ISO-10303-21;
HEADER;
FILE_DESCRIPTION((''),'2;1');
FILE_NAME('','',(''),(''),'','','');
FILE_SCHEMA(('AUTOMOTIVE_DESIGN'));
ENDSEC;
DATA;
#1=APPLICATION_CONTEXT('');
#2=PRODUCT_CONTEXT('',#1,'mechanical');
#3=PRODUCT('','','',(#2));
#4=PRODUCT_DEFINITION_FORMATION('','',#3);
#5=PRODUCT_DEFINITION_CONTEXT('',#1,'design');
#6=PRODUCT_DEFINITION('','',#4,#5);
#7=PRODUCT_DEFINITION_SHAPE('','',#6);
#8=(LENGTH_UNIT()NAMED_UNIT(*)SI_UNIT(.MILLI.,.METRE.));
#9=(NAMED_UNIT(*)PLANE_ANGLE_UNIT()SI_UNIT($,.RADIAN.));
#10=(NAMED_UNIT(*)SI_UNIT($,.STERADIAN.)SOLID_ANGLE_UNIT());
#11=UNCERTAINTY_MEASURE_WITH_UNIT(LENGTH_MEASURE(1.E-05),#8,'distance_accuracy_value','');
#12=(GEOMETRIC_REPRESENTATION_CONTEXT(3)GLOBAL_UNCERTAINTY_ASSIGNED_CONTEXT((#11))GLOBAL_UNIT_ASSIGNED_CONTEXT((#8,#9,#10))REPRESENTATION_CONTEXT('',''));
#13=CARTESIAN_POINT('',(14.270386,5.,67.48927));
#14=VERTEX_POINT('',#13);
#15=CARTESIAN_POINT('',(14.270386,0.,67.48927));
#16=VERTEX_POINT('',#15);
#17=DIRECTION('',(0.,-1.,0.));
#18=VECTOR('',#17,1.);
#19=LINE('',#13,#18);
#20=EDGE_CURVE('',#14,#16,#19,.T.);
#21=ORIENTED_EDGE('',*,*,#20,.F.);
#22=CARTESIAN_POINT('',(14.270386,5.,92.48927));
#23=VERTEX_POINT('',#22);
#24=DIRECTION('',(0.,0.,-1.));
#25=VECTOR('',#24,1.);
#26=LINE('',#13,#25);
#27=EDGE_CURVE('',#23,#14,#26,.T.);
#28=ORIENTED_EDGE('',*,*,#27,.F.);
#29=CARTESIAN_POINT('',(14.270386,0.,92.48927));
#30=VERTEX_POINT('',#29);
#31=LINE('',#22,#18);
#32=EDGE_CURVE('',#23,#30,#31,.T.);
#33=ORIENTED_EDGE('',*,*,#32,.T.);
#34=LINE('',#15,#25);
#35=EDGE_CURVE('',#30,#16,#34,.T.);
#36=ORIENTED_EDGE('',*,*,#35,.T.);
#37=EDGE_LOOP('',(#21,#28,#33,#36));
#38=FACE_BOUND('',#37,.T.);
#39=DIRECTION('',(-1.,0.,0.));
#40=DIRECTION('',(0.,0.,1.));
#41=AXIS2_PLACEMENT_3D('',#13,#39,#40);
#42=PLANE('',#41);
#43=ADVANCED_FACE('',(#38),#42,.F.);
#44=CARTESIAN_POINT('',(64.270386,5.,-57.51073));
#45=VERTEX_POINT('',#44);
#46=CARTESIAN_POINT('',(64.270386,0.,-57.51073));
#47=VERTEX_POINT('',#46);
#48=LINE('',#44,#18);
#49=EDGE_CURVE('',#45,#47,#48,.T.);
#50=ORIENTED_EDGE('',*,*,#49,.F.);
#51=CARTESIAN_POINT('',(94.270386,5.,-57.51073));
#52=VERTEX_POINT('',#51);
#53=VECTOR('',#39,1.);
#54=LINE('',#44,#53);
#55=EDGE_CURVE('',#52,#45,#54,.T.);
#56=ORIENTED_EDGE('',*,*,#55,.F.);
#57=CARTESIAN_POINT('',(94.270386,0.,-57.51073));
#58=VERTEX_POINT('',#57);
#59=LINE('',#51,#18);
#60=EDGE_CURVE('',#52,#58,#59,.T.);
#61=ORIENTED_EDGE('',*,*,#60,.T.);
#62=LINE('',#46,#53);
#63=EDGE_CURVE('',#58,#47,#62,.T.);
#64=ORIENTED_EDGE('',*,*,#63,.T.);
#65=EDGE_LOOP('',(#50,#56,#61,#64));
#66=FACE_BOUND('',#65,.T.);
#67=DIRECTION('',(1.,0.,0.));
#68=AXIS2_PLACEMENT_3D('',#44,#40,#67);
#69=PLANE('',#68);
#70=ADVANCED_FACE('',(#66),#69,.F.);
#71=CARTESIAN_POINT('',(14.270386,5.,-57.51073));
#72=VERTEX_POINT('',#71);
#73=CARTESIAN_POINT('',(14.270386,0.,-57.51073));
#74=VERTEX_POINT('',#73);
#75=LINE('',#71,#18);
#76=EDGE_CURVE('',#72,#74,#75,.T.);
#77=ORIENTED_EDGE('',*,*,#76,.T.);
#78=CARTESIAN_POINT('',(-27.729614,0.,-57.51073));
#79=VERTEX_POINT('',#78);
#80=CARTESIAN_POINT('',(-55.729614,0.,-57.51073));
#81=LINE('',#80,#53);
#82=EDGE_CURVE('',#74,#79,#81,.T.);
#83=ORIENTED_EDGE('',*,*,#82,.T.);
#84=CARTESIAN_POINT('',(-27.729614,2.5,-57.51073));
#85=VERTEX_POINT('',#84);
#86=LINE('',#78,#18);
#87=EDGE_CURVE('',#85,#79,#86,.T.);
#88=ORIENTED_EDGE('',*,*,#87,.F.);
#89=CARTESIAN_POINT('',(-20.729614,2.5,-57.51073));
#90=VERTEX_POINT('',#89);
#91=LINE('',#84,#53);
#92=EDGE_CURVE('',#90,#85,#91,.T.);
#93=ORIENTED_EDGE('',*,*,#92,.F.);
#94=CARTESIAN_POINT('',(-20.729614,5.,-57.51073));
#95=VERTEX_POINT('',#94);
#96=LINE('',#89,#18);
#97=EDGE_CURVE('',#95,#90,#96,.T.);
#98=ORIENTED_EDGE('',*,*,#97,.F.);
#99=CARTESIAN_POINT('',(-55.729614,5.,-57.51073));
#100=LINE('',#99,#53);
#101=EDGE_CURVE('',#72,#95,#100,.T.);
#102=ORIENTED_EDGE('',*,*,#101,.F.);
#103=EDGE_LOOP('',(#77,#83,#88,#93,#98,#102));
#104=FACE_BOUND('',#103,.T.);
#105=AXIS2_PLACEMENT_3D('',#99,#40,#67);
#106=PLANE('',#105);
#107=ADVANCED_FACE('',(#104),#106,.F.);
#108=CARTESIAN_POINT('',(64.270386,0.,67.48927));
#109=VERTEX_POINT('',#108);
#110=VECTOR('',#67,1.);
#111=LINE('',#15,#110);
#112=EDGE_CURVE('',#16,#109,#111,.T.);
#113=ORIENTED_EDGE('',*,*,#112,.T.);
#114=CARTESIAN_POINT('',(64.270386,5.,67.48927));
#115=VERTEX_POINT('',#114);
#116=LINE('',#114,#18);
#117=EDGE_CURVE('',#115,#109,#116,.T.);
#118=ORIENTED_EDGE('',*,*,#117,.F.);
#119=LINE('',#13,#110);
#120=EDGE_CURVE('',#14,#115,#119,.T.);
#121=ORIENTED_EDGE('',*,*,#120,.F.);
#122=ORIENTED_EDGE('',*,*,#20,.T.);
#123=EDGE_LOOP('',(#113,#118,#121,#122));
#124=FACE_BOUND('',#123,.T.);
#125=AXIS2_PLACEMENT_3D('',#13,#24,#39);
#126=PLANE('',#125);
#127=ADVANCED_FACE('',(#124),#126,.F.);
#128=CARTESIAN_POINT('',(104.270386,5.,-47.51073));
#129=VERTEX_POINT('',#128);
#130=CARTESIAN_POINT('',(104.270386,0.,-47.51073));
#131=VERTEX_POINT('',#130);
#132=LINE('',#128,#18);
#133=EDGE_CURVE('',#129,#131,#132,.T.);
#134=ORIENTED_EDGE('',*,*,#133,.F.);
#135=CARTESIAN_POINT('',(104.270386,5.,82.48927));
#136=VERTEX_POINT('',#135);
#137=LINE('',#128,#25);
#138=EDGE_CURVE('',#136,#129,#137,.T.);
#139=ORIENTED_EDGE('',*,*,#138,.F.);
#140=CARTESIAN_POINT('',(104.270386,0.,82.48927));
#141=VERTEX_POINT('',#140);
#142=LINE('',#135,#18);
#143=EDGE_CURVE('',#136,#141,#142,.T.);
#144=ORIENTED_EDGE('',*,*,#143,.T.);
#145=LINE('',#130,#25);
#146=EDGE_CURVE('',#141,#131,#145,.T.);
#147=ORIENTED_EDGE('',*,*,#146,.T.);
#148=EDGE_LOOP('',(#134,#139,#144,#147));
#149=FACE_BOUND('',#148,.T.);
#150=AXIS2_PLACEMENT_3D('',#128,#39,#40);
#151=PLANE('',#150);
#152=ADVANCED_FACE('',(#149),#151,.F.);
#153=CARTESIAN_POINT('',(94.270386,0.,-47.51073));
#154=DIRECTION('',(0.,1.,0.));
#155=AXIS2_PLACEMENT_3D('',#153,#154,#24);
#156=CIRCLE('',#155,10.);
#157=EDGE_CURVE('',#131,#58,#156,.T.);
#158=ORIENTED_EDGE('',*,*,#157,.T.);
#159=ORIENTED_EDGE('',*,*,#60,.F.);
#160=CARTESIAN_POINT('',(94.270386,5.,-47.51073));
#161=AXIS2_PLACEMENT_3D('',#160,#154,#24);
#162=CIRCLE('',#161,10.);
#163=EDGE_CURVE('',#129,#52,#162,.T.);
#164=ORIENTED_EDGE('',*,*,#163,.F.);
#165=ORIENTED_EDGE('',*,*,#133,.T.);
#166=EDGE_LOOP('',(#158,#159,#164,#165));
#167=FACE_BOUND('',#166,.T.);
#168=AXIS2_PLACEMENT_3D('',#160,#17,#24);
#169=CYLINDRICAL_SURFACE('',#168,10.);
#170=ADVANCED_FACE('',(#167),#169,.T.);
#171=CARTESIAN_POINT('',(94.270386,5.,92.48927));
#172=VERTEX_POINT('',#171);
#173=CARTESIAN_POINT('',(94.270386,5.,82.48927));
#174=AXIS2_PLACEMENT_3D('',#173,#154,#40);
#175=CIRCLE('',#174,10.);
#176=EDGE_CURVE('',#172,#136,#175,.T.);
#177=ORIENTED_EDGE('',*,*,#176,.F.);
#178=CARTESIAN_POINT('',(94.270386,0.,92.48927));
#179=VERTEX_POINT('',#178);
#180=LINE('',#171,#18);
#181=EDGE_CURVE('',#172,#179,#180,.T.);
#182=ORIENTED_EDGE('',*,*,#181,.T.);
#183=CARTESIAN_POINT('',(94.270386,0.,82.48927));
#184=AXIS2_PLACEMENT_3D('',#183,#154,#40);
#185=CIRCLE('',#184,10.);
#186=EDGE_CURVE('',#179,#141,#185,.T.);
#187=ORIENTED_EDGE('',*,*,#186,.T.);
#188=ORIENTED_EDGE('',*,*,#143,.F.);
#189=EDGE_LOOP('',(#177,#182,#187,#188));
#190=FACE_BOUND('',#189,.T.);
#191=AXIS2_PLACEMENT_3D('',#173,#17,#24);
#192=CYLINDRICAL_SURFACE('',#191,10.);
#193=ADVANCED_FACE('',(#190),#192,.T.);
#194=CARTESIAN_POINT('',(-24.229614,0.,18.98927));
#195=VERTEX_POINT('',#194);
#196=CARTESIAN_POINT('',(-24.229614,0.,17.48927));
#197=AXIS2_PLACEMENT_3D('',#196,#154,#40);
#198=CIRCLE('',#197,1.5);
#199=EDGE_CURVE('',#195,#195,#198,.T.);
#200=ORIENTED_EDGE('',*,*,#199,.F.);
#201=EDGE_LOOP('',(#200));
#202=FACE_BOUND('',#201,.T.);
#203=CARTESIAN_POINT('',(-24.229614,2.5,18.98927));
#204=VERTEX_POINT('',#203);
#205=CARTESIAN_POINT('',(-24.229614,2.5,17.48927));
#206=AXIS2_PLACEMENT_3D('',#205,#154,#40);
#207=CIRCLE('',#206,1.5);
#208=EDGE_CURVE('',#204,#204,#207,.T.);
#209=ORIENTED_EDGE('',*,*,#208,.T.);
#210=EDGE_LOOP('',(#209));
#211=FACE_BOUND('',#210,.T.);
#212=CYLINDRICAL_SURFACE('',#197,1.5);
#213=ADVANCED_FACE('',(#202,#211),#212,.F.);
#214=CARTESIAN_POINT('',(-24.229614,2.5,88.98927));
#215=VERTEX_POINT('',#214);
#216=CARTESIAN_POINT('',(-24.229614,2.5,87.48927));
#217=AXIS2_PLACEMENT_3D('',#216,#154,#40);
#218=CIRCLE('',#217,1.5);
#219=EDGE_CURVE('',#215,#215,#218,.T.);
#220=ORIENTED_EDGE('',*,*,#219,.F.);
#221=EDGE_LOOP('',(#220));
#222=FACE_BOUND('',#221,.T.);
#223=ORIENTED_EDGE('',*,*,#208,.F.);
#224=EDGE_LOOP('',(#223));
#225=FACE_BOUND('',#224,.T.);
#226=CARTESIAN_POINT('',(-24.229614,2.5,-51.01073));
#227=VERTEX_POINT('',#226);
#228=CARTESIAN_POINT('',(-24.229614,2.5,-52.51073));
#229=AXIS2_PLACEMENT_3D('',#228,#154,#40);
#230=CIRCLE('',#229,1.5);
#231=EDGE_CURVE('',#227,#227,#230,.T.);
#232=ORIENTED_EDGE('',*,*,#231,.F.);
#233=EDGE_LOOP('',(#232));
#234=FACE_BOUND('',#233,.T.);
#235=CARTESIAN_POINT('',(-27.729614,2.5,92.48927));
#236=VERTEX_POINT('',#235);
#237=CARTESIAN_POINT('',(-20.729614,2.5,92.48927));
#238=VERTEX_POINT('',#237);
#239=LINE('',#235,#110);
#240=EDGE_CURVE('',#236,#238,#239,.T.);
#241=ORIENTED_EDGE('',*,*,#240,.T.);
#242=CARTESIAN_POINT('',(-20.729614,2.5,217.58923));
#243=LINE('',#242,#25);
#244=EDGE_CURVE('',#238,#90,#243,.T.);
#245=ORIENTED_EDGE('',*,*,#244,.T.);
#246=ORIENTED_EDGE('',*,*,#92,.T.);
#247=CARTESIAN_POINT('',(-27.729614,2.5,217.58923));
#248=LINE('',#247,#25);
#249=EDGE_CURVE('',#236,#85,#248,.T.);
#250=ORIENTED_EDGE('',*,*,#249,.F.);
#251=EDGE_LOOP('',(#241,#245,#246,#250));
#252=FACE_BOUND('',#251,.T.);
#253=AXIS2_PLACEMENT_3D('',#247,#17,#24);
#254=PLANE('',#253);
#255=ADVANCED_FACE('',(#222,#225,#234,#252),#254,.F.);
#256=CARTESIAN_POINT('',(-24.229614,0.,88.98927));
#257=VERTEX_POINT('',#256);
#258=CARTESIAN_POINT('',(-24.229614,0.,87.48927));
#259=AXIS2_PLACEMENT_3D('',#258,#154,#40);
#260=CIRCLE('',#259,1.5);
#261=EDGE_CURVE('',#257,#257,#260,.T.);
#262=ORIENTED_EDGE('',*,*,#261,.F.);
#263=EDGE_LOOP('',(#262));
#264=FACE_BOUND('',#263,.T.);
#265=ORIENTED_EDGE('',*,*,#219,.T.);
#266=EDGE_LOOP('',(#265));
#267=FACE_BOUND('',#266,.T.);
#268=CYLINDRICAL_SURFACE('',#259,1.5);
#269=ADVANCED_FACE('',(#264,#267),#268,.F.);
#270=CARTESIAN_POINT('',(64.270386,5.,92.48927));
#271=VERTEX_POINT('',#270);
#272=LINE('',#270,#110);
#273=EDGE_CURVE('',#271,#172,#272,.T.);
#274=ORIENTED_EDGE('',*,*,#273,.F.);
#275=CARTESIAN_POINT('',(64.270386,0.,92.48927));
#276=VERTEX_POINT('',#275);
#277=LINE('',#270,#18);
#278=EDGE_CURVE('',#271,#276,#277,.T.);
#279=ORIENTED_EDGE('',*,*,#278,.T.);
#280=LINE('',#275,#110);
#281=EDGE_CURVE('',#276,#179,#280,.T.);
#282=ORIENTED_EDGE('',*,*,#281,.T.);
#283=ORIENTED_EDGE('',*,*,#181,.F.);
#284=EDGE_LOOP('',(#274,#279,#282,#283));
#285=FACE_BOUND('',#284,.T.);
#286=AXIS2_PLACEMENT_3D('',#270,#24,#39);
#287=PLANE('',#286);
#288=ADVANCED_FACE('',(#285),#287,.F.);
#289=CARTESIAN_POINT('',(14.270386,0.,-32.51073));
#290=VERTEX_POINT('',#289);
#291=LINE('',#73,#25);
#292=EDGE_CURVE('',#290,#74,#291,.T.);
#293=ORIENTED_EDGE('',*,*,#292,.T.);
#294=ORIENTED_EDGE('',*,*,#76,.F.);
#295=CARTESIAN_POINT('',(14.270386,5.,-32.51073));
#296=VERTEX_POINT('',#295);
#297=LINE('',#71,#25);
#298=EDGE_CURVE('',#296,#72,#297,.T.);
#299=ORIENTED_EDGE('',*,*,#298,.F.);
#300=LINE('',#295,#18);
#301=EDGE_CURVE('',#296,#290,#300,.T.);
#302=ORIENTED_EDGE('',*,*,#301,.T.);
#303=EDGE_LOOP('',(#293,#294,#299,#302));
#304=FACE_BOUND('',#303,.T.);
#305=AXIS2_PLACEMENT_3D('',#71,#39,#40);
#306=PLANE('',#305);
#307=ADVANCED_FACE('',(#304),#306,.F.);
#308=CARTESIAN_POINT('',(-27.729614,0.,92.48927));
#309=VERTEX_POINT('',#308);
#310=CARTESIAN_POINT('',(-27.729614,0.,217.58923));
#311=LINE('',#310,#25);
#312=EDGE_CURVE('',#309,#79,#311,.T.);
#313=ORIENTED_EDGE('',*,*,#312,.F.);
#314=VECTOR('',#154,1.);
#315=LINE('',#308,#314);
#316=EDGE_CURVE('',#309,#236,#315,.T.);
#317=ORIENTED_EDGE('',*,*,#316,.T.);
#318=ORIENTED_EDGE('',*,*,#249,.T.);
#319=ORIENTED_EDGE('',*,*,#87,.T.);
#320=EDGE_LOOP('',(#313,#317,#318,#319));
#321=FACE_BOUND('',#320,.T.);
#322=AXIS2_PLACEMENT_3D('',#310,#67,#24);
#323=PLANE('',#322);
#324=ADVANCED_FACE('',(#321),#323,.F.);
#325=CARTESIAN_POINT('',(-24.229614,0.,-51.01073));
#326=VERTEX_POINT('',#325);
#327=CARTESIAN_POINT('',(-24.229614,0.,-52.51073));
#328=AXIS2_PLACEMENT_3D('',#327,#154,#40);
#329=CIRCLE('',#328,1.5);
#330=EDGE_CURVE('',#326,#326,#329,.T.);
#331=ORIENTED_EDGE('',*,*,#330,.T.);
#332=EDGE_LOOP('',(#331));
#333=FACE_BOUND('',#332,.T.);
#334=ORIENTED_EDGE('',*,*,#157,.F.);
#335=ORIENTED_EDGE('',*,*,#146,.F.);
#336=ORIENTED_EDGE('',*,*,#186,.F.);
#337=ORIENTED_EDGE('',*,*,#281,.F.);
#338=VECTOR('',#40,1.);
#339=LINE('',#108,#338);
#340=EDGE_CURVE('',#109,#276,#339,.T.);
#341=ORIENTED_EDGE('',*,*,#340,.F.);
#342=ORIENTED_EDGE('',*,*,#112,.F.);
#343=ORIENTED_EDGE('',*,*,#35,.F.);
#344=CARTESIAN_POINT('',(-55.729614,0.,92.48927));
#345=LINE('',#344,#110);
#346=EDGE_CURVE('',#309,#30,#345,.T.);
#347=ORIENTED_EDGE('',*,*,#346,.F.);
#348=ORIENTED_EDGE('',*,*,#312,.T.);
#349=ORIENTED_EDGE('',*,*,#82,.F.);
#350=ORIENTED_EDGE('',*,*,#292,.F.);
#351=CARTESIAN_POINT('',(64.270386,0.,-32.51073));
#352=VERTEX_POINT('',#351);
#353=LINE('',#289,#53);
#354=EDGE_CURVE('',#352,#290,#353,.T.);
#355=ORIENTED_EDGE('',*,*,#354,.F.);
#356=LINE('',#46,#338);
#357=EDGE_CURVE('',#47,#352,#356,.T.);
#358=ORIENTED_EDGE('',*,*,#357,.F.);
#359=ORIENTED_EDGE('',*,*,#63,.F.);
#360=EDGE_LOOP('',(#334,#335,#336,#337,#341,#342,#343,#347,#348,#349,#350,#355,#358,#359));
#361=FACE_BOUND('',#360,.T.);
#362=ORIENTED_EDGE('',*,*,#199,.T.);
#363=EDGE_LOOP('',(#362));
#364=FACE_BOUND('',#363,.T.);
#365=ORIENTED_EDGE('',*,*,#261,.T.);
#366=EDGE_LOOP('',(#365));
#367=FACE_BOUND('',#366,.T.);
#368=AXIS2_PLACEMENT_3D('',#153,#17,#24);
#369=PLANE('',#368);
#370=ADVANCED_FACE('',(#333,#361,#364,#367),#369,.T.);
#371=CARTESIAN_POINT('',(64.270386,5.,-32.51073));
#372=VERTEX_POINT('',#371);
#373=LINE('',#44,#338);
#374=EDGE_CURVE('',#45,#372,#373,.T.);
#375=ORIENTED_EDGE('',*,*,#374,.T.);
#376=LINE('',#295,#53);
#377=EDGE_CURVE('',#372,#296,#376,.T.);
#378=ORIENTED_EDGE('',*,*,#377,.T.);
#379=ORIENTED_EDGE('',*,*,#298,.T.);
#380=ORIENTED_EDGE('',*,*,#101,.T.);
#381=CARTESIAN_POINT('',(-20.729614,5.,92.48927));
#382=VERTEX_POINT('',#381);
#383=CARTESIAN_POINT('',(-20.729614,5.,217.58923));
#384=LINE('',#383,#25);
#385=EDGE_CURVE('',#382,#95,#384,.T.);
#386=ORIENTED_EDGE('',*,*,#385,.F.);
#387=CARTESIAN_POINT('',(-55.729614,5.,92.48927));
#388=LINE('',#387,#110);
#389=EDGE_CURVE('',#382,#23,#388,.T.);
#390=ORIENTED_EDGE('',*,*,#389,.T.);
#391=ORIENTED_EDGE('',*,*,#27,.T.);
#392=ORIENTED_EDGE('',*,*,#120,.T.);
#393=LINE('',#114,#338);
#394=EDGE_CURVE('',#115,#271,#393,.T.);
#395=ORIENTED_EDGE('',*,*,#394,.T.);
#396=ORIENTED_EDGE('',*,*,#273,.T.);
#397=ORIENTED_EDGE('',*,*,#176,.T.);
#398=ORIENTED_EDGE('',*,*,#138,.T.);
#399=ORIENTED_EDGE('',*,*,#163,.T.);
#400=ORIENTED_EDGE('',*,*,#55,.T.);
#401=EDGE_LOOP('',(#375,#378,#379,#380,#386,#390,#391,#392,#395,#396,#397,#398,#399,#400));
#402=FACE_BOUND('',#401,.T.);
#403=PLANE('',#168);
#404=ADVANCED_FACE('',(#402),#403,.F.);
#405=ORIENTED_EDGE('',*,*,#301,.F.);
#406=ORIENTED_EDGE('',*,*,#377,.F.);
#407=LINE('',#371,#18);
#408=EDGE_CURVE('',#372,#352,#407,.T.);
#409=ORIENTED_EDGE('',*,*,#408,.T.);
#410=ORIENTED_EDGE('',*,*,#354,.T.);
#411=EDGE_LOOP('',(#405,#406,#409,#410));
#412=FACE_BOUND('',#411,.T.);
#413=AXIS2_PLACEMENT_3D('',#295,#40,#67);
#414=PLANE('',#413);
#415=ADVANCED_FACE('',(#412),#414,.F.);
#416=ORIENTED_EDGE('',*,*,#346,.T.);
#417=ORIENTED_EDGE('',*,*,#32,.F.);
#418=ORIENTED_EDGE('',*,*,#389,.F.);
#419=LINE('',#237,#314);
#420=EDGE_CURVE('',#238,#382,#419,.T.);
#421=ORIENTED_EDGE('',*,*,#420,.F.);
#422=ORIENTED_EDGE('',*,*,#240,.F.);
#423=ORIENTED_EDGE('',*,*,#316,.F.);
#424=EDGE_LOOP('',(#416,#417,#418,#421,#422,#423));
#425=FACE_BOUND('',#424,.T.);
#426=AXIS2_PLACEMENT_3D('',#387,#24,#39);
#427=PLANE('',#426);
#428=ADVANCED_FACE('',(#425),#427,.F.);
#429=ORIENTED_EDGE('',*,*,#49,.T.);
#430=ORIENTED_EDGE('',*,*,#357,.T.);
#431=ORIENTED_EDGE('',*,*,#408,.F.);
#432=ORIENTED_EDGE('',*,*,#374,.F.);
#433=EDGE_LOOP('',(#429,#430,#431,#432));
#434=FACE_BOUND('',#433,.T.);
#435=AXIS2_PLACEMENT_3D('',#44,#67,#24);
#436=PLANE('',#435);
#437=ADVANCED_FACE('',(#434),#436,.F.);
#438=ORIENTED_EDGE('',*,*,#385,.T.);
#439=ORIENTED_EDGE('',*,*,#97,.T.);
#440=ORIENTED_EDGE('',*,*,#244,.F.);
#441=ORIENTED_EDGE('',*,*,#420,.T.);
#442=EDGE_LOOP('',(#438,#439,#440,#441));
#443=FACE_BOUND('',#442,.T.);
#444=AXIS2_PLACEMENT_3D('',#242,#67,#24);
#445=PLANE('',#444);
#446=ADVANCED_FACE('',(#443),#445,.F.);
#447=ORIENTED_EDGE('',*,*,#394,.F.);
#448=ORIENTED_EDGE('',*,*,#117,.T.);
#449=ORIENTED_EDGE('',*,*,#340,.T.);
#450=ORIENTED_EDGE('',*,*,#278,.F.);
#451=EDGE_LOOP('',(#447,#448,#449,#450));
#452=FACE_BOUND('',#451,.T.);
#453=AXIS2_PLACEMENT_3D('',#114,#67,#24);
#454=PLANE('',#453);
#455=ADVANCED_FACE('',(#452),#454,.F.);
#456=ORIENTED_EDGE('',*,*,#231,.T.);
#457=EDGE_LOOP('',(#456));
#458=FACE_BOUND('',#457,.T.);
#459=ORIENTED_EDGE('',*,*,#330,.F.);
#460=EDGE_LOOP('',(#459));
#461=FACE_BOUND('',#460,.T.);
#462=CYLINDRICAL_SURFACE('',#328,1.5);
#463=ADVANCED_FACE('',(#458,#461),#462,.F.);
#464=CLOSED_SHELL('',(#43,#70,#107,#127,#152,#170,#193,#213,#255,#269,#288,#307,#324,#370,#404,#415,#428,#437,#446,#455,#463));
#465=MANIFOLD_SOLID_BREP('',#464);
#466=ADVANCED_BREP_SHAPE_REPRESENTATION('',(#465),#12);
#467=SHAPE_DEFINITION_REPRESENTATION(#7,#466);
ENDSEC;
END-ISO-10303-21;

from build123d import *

# Parameters (mm, degrees)
BOSS_EXTRUDE1_DEPTH = 5
CUT_EXTRUDE1_DEPTH  = 150
SKETCH3_R           = 1.5
CUT_EXTRUDE2_DEPTH  = 140.401680724


with BuildPart() as part:
    # Sketch1 → Boss-Extrude1 (new body)
    with BuildSketch(Plane(origin=(0, 0, 0), x_dir=(1, 0, 0), z_dir=(0, 1, 0))):
        with BuildLine():
            Line((64.270386266, 57.510729614), (94.270386266, 57.510729614))
            ThreePointArc((94.270386266, 57.510729614), (101.341454078, 54.581797426), (104.270386266, 47.510729614))
            Line((104.270386266, 47.510729614), (104.270386266, -82.489270386))
            ThreePointArc((104.270386266, -82.489270386), (101.341454078, -89.560338198), (94.270386266, -92.489270386))
            Line((94.270386266, -92.489270386), (64.270386266, -92.489270386))
            Line((64.270386266, -92.489270386), (64.270386266, -67.489270386))
            Line((64.270386266, -67.489270386), (14.270386266, -67.489270386))
            Line((14.270386266, -67.489270386), (14.270386266, -92.489270386))
            Line((14.270386266, -92.489270386), (-55.729613734, -92.489270386))
            Line((-55.729613734, -92.489270386), (-55.729613734, -67.489270386))
            Line((-55.729613734, -67.489270386), (-105.729613734, -67.489270386))
            Line((-105.729613734, -67.489270386), (-105.729613734, -92.489270386))
            Line((-105.729613734, -92.489270386), (-135.729613734, -92.489270386))
            ThreePointArc((-135.729613734, -92.489270386), (-142.800681546, -89.560338198), (-145.729613734, -82.489270386))
            Line((-145.729613734, -82.489270386), (-145.729613734, 47.510729614))
            ThreePointArc((-145.729613734, 47.510729614), (-142.800681546, 54.581797426), (-135.729613734, 57.510729614))
            Line((-135.729613734, 57.510729614), (-105.729613734, 57.510729614))
            Line((-105.729613734, 57.510729614), (-105.729613734, 32.510729614))
            Line((-105.729613734, 32.510729614), (-55.729613734, 32.510729614))
            Line((-55.729613734, 32.510729614), (-55.729613734, 57.510729614))
            Line((-55.729613734, 57.510729614), (14.270386266, 57.510729614))
            Line((14.270386266, 57.510729614), (14.270386266, 32.510729614))
            Line((14.270386266, 32.510729614), (64.270386266, 32.510729614))
            Line((64.270386266, 32.510729614), (64.270386266, 57.510729614))
        make_face()
    extrude(amount=BOSS_EXTRUDE1_DEPTH)

    # Sketch2 → Cut-Extrude1 (cut)
    with BuildSketch(Plane(origin=(0, 0, -57.510729614), x_dir=(-1, 0, 0), z_dir=(0, 0, -1))):
        Polygon((20.729613734, 2.5), (20.729613734, 5), (55.729613734, 5), (105.729613734, 5), (135.729613734, 5), (145.729613734, 5), (145.729613734, 0), (135.729613734, 0), (105.729613734, 0), (55.729613734, 0), (27.729613734, 0), (27.729613734, 2.5), align=None)
    extrude(amount=-CUT_EXTRUDE1_DEPTH, mode=Mode.SUBTRACT)

    # Sketch3 → Cut-Extrude2 (cut, through all)
    with BuildSketch(Plane(origin=(0, 2.5, 0), x_dir=(1, 0, 0), z_dir=(0, 1, 0))):
        with Locations(Location((-24.229613734, -17.489270386, 0), (0, 0, 270))):
            Circle(SKETCH3_R)
        with Locations(Location((-24.229613734, 52.510729614, 0), (0, 0, 270))):
            Circle(SKETCH3_R)
        with Locations(Location((-24.229613734, -87.489270386, 0), (0, 0, 270))):
            Circle(SKETCH3_R)
    extrude(amount=-CUT_EXTRUDE2_DEPTH, mode=Mode.SUBTRACT)


solid = part.part
